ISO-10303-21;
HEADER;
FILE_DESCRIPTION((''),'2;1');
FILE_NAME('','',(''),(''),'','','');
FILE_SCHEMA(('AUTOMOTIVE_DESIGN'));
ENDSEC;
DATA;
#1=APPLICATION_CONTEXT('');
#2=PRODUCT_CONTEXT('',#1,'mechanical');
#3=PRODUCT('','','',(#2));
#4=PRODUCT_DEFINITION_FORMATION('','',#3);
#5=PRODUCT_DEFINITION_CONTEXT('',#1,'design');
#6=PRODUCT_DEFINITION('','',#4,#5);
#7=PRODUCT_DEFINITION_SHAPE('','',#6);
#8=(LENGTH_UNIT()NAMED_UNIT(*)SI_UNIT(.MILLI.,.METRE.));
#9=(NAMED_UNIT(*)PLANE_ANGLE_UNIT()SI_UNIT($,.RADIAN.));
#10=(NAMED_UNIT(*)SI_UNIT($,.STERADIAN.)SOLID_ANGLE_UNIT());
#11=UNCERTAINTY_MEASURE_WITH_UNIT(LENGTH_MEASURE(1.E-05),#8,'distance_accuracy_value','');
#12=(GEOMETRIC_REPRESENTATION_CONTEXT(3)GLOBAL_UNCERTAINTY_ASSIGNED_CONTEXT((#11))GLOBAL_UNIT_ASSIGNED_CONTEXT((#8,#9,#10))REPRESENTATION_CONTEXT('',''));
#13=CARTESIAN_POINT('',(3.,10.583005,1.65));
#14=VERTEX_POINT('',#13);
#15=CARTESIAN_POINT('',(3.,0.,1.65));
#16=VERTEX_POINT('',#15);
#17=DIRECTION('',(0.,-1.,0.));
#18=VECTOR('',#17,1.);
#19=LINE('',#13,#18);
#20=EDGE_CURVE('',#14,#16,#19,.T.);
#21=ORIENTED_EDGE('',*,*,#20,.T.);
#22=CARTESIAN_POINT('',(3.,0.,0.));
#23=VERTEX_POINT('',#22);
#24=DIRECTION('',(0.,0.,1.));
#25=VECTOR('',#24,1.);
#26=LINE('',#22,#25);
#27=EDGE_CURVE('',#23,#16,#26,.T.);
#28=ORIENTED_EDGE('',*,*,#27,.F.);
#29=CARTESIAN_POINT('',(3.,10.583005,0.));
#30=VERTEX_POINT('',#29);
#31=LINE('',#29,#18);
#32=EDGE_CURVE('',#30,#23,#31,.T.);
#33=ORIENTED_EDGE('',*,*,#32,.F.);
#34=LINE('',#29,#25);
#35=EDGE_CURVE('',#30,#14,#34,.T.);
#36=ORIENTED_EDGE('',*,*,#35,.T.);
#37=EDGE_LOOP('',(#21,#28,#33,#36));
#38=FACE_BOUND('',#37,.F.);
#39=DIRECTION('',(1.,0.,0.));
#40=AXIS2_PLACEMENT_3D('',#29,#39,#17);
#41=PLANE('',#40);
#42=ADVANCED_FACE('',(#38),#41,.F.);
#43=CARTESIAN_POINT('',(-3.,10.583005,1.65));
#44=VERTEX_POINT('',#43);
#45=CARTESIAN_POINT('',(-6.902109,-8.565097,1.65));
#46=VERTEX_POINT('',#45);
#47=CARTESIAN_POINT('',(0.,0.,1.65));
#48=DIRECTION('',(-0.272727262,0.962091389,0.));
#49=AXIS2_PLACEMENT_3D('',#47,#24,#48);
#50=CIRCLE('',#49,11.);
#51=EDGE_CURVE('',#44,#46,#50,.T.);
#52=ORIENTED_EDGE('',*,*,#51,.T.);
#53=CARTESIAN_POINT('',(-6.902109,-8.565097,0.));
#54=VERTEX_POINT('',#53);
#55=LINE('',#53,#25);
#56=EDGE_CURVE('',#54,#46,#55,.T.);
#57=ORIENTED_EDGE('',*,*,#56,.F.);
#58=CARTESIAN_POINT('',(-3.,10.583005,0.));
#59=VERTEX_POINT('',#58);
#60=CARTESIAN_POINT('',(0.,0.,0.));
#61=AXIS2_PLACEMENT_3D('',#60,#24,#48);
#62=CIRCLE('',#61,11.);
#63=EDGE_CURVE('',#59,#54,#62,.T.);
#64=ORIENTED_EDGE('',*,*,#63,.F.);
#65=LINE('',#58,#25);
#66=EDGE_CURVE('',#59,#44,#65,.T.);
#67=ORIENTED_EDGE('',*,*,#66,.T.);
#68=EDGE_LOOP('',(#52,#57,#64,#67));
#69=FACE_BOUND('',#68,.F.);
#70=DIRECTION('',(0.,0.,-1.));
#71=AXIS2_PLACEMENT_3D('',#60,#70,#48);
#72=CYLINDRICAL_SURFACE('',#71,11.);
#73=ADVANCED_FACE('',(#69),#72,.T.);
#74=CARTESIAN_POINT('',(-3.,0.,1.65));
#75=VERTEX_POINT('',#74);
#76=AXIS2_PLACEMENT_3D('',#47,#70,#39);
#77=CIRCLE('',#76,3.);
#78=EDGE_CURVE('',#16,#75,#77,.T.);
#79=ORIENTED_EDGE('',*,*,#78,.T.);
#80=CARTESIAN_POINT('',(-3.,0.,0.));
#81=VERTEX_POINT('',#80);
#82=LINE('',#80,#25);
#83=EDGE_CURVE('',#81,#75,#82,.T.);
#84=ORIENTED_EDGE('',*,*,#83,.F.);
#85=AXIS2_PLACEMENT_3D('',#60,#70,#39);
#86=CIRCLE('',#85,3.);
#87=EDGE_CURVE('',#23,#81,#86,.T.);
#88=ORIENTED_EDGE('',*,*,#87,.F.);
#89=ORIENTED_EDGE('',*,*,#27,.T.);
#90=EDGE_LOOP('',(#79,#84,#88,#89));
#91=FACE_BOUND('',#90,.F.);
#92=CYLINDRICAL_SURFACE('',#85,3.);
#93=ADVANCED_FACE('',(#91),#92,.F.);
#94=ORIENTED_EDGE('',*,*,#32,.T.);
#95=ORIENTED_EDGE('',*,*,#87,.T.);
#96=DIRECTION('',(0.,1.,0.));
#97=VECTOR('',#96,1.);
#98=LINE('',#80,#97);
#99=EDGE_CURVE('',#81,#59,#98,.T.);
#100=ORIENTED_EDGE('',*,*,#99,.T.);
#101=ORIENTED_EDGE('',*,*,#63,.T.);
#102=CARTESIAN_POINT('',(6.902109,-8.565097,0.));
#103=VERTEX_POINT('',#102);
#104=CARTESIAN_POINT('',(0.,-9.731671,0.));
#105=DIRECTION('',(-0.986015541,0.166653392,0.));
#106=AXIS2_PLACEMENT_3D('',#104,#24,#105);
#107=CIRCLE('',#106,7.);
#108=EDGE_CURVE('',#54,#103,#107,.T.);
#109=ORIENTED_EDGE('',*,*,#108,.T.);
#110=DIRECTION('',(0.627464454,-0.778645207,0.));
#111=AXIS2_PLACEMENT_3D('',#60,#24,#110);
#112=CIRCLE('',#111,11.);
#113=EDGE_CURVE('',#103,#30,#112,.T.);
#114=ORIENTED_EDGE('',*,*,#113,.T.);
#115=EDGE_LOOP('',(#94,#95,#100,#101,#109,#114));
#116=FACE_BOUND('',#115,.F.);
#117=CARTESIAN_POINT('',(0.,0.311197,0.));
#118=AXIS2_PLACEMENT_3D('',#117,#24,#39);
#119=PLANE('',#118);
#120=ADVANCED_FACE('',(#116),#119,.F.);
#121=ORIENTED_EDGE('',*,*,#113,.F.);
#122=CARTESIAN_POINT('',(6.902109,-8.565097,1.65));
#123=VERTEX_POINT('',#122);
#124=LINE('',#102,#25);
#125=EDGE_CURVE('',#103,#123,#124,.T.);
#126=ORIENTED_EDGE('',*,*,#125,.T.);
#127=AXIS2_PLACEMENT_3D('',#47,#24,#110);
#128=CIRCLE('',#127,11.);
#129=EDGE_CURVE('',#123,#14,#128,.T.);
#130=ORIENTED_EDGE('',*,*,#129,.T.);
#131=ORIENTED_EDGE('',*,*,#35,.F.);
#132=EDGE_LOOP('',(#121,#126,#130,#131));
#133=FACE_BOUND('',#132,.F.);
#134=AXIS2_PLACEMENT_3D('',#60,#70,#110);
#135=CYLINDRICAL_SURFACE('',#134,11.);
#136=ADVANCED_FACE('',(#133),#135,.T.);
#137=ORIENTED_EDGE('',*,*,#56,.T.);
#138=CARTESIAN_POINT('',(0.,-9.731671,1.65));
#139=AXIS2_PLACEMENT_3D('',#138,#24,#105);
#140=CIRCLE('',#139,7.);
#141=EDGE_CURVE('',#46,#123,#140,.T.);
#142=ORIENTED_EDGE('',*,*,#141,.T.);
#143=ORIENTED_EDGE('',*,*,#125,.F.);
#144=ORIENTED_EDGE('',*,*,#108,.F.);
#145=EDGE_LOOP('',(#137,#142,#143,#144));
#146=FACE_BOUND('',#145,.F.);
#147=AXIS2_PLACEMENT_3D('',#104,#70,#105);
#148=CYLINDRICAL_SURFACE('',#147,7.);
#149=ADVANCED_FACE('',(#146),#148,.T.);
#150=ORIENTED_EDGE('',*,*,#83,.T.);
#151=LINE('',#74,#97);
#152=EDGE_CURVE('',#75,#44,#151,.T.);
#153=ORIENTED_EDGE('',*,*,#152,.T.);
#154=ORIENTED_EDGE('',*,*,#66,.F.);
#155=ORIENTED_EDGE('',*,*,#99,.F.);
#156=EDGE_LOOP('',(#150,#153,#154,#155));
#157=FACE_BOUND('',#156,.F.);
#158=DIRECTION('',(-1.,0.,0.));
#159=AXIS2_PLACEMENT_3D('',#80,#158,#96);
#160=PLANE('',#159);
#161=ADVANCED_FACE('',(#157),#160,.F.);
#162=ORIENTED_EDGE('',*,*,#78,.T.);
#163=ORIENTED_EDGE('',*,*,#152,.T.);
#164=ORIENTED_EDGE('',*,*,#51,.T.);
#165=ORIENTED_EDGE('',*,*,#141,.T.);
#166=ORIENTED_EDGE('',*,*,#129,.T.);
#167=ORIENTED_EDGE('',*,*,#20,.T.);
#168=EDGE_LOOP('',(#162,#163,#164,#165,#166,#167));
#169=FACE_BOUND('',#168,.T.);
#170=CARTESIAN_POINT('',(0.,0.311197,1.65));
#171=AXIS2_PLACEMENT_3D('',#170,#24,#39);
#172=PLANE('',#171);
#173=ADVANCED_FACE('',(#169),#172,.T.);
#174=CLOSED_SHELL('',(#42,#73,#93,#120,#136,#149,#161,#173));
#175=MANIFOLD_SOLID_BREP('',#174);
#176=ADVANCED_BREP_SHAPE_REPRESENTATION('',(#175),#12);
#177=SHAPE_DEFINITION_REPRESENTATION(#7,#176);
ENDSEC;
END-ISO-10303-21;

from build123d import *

# Parameters (mm, degrees)
F1_DEPTH = 1.65


with BuildPart() as f1:
    # F0 (on Top) → F1 (new body)
    with BuildSketch(Plane.XY):
        with BuildLine():
            Line((-3, 0), (-3, 10.583005))
            ThreePointArc((-3, 10.583005), (-10.778469, 2.196498), (-6.902109, -8.565097))
            ThreePointArc((-6.902109, -8.565097), (0, -11), (6.902109, -8.565097))
            ThreePointArc((6.902109, -8.565097), (10.778469, 2.196498), (3, 10.583005))
            Line((3, 10.583005), (3, 0))
            ThreePointArc((3, 0), (0, -3), (-3, 0))
        make_face()
        with BuildLine():
            ThreePointArc((6.902109, -8.565097), (0, -11), (-6.902109, -8.565097))
            ThreePointArc((-6.902109, -8.565097), (0, -16.731671), (6.902109, -8.565097))
        make_face()
    extrude(amount=F1_DEPTH)


solid = f1.part
